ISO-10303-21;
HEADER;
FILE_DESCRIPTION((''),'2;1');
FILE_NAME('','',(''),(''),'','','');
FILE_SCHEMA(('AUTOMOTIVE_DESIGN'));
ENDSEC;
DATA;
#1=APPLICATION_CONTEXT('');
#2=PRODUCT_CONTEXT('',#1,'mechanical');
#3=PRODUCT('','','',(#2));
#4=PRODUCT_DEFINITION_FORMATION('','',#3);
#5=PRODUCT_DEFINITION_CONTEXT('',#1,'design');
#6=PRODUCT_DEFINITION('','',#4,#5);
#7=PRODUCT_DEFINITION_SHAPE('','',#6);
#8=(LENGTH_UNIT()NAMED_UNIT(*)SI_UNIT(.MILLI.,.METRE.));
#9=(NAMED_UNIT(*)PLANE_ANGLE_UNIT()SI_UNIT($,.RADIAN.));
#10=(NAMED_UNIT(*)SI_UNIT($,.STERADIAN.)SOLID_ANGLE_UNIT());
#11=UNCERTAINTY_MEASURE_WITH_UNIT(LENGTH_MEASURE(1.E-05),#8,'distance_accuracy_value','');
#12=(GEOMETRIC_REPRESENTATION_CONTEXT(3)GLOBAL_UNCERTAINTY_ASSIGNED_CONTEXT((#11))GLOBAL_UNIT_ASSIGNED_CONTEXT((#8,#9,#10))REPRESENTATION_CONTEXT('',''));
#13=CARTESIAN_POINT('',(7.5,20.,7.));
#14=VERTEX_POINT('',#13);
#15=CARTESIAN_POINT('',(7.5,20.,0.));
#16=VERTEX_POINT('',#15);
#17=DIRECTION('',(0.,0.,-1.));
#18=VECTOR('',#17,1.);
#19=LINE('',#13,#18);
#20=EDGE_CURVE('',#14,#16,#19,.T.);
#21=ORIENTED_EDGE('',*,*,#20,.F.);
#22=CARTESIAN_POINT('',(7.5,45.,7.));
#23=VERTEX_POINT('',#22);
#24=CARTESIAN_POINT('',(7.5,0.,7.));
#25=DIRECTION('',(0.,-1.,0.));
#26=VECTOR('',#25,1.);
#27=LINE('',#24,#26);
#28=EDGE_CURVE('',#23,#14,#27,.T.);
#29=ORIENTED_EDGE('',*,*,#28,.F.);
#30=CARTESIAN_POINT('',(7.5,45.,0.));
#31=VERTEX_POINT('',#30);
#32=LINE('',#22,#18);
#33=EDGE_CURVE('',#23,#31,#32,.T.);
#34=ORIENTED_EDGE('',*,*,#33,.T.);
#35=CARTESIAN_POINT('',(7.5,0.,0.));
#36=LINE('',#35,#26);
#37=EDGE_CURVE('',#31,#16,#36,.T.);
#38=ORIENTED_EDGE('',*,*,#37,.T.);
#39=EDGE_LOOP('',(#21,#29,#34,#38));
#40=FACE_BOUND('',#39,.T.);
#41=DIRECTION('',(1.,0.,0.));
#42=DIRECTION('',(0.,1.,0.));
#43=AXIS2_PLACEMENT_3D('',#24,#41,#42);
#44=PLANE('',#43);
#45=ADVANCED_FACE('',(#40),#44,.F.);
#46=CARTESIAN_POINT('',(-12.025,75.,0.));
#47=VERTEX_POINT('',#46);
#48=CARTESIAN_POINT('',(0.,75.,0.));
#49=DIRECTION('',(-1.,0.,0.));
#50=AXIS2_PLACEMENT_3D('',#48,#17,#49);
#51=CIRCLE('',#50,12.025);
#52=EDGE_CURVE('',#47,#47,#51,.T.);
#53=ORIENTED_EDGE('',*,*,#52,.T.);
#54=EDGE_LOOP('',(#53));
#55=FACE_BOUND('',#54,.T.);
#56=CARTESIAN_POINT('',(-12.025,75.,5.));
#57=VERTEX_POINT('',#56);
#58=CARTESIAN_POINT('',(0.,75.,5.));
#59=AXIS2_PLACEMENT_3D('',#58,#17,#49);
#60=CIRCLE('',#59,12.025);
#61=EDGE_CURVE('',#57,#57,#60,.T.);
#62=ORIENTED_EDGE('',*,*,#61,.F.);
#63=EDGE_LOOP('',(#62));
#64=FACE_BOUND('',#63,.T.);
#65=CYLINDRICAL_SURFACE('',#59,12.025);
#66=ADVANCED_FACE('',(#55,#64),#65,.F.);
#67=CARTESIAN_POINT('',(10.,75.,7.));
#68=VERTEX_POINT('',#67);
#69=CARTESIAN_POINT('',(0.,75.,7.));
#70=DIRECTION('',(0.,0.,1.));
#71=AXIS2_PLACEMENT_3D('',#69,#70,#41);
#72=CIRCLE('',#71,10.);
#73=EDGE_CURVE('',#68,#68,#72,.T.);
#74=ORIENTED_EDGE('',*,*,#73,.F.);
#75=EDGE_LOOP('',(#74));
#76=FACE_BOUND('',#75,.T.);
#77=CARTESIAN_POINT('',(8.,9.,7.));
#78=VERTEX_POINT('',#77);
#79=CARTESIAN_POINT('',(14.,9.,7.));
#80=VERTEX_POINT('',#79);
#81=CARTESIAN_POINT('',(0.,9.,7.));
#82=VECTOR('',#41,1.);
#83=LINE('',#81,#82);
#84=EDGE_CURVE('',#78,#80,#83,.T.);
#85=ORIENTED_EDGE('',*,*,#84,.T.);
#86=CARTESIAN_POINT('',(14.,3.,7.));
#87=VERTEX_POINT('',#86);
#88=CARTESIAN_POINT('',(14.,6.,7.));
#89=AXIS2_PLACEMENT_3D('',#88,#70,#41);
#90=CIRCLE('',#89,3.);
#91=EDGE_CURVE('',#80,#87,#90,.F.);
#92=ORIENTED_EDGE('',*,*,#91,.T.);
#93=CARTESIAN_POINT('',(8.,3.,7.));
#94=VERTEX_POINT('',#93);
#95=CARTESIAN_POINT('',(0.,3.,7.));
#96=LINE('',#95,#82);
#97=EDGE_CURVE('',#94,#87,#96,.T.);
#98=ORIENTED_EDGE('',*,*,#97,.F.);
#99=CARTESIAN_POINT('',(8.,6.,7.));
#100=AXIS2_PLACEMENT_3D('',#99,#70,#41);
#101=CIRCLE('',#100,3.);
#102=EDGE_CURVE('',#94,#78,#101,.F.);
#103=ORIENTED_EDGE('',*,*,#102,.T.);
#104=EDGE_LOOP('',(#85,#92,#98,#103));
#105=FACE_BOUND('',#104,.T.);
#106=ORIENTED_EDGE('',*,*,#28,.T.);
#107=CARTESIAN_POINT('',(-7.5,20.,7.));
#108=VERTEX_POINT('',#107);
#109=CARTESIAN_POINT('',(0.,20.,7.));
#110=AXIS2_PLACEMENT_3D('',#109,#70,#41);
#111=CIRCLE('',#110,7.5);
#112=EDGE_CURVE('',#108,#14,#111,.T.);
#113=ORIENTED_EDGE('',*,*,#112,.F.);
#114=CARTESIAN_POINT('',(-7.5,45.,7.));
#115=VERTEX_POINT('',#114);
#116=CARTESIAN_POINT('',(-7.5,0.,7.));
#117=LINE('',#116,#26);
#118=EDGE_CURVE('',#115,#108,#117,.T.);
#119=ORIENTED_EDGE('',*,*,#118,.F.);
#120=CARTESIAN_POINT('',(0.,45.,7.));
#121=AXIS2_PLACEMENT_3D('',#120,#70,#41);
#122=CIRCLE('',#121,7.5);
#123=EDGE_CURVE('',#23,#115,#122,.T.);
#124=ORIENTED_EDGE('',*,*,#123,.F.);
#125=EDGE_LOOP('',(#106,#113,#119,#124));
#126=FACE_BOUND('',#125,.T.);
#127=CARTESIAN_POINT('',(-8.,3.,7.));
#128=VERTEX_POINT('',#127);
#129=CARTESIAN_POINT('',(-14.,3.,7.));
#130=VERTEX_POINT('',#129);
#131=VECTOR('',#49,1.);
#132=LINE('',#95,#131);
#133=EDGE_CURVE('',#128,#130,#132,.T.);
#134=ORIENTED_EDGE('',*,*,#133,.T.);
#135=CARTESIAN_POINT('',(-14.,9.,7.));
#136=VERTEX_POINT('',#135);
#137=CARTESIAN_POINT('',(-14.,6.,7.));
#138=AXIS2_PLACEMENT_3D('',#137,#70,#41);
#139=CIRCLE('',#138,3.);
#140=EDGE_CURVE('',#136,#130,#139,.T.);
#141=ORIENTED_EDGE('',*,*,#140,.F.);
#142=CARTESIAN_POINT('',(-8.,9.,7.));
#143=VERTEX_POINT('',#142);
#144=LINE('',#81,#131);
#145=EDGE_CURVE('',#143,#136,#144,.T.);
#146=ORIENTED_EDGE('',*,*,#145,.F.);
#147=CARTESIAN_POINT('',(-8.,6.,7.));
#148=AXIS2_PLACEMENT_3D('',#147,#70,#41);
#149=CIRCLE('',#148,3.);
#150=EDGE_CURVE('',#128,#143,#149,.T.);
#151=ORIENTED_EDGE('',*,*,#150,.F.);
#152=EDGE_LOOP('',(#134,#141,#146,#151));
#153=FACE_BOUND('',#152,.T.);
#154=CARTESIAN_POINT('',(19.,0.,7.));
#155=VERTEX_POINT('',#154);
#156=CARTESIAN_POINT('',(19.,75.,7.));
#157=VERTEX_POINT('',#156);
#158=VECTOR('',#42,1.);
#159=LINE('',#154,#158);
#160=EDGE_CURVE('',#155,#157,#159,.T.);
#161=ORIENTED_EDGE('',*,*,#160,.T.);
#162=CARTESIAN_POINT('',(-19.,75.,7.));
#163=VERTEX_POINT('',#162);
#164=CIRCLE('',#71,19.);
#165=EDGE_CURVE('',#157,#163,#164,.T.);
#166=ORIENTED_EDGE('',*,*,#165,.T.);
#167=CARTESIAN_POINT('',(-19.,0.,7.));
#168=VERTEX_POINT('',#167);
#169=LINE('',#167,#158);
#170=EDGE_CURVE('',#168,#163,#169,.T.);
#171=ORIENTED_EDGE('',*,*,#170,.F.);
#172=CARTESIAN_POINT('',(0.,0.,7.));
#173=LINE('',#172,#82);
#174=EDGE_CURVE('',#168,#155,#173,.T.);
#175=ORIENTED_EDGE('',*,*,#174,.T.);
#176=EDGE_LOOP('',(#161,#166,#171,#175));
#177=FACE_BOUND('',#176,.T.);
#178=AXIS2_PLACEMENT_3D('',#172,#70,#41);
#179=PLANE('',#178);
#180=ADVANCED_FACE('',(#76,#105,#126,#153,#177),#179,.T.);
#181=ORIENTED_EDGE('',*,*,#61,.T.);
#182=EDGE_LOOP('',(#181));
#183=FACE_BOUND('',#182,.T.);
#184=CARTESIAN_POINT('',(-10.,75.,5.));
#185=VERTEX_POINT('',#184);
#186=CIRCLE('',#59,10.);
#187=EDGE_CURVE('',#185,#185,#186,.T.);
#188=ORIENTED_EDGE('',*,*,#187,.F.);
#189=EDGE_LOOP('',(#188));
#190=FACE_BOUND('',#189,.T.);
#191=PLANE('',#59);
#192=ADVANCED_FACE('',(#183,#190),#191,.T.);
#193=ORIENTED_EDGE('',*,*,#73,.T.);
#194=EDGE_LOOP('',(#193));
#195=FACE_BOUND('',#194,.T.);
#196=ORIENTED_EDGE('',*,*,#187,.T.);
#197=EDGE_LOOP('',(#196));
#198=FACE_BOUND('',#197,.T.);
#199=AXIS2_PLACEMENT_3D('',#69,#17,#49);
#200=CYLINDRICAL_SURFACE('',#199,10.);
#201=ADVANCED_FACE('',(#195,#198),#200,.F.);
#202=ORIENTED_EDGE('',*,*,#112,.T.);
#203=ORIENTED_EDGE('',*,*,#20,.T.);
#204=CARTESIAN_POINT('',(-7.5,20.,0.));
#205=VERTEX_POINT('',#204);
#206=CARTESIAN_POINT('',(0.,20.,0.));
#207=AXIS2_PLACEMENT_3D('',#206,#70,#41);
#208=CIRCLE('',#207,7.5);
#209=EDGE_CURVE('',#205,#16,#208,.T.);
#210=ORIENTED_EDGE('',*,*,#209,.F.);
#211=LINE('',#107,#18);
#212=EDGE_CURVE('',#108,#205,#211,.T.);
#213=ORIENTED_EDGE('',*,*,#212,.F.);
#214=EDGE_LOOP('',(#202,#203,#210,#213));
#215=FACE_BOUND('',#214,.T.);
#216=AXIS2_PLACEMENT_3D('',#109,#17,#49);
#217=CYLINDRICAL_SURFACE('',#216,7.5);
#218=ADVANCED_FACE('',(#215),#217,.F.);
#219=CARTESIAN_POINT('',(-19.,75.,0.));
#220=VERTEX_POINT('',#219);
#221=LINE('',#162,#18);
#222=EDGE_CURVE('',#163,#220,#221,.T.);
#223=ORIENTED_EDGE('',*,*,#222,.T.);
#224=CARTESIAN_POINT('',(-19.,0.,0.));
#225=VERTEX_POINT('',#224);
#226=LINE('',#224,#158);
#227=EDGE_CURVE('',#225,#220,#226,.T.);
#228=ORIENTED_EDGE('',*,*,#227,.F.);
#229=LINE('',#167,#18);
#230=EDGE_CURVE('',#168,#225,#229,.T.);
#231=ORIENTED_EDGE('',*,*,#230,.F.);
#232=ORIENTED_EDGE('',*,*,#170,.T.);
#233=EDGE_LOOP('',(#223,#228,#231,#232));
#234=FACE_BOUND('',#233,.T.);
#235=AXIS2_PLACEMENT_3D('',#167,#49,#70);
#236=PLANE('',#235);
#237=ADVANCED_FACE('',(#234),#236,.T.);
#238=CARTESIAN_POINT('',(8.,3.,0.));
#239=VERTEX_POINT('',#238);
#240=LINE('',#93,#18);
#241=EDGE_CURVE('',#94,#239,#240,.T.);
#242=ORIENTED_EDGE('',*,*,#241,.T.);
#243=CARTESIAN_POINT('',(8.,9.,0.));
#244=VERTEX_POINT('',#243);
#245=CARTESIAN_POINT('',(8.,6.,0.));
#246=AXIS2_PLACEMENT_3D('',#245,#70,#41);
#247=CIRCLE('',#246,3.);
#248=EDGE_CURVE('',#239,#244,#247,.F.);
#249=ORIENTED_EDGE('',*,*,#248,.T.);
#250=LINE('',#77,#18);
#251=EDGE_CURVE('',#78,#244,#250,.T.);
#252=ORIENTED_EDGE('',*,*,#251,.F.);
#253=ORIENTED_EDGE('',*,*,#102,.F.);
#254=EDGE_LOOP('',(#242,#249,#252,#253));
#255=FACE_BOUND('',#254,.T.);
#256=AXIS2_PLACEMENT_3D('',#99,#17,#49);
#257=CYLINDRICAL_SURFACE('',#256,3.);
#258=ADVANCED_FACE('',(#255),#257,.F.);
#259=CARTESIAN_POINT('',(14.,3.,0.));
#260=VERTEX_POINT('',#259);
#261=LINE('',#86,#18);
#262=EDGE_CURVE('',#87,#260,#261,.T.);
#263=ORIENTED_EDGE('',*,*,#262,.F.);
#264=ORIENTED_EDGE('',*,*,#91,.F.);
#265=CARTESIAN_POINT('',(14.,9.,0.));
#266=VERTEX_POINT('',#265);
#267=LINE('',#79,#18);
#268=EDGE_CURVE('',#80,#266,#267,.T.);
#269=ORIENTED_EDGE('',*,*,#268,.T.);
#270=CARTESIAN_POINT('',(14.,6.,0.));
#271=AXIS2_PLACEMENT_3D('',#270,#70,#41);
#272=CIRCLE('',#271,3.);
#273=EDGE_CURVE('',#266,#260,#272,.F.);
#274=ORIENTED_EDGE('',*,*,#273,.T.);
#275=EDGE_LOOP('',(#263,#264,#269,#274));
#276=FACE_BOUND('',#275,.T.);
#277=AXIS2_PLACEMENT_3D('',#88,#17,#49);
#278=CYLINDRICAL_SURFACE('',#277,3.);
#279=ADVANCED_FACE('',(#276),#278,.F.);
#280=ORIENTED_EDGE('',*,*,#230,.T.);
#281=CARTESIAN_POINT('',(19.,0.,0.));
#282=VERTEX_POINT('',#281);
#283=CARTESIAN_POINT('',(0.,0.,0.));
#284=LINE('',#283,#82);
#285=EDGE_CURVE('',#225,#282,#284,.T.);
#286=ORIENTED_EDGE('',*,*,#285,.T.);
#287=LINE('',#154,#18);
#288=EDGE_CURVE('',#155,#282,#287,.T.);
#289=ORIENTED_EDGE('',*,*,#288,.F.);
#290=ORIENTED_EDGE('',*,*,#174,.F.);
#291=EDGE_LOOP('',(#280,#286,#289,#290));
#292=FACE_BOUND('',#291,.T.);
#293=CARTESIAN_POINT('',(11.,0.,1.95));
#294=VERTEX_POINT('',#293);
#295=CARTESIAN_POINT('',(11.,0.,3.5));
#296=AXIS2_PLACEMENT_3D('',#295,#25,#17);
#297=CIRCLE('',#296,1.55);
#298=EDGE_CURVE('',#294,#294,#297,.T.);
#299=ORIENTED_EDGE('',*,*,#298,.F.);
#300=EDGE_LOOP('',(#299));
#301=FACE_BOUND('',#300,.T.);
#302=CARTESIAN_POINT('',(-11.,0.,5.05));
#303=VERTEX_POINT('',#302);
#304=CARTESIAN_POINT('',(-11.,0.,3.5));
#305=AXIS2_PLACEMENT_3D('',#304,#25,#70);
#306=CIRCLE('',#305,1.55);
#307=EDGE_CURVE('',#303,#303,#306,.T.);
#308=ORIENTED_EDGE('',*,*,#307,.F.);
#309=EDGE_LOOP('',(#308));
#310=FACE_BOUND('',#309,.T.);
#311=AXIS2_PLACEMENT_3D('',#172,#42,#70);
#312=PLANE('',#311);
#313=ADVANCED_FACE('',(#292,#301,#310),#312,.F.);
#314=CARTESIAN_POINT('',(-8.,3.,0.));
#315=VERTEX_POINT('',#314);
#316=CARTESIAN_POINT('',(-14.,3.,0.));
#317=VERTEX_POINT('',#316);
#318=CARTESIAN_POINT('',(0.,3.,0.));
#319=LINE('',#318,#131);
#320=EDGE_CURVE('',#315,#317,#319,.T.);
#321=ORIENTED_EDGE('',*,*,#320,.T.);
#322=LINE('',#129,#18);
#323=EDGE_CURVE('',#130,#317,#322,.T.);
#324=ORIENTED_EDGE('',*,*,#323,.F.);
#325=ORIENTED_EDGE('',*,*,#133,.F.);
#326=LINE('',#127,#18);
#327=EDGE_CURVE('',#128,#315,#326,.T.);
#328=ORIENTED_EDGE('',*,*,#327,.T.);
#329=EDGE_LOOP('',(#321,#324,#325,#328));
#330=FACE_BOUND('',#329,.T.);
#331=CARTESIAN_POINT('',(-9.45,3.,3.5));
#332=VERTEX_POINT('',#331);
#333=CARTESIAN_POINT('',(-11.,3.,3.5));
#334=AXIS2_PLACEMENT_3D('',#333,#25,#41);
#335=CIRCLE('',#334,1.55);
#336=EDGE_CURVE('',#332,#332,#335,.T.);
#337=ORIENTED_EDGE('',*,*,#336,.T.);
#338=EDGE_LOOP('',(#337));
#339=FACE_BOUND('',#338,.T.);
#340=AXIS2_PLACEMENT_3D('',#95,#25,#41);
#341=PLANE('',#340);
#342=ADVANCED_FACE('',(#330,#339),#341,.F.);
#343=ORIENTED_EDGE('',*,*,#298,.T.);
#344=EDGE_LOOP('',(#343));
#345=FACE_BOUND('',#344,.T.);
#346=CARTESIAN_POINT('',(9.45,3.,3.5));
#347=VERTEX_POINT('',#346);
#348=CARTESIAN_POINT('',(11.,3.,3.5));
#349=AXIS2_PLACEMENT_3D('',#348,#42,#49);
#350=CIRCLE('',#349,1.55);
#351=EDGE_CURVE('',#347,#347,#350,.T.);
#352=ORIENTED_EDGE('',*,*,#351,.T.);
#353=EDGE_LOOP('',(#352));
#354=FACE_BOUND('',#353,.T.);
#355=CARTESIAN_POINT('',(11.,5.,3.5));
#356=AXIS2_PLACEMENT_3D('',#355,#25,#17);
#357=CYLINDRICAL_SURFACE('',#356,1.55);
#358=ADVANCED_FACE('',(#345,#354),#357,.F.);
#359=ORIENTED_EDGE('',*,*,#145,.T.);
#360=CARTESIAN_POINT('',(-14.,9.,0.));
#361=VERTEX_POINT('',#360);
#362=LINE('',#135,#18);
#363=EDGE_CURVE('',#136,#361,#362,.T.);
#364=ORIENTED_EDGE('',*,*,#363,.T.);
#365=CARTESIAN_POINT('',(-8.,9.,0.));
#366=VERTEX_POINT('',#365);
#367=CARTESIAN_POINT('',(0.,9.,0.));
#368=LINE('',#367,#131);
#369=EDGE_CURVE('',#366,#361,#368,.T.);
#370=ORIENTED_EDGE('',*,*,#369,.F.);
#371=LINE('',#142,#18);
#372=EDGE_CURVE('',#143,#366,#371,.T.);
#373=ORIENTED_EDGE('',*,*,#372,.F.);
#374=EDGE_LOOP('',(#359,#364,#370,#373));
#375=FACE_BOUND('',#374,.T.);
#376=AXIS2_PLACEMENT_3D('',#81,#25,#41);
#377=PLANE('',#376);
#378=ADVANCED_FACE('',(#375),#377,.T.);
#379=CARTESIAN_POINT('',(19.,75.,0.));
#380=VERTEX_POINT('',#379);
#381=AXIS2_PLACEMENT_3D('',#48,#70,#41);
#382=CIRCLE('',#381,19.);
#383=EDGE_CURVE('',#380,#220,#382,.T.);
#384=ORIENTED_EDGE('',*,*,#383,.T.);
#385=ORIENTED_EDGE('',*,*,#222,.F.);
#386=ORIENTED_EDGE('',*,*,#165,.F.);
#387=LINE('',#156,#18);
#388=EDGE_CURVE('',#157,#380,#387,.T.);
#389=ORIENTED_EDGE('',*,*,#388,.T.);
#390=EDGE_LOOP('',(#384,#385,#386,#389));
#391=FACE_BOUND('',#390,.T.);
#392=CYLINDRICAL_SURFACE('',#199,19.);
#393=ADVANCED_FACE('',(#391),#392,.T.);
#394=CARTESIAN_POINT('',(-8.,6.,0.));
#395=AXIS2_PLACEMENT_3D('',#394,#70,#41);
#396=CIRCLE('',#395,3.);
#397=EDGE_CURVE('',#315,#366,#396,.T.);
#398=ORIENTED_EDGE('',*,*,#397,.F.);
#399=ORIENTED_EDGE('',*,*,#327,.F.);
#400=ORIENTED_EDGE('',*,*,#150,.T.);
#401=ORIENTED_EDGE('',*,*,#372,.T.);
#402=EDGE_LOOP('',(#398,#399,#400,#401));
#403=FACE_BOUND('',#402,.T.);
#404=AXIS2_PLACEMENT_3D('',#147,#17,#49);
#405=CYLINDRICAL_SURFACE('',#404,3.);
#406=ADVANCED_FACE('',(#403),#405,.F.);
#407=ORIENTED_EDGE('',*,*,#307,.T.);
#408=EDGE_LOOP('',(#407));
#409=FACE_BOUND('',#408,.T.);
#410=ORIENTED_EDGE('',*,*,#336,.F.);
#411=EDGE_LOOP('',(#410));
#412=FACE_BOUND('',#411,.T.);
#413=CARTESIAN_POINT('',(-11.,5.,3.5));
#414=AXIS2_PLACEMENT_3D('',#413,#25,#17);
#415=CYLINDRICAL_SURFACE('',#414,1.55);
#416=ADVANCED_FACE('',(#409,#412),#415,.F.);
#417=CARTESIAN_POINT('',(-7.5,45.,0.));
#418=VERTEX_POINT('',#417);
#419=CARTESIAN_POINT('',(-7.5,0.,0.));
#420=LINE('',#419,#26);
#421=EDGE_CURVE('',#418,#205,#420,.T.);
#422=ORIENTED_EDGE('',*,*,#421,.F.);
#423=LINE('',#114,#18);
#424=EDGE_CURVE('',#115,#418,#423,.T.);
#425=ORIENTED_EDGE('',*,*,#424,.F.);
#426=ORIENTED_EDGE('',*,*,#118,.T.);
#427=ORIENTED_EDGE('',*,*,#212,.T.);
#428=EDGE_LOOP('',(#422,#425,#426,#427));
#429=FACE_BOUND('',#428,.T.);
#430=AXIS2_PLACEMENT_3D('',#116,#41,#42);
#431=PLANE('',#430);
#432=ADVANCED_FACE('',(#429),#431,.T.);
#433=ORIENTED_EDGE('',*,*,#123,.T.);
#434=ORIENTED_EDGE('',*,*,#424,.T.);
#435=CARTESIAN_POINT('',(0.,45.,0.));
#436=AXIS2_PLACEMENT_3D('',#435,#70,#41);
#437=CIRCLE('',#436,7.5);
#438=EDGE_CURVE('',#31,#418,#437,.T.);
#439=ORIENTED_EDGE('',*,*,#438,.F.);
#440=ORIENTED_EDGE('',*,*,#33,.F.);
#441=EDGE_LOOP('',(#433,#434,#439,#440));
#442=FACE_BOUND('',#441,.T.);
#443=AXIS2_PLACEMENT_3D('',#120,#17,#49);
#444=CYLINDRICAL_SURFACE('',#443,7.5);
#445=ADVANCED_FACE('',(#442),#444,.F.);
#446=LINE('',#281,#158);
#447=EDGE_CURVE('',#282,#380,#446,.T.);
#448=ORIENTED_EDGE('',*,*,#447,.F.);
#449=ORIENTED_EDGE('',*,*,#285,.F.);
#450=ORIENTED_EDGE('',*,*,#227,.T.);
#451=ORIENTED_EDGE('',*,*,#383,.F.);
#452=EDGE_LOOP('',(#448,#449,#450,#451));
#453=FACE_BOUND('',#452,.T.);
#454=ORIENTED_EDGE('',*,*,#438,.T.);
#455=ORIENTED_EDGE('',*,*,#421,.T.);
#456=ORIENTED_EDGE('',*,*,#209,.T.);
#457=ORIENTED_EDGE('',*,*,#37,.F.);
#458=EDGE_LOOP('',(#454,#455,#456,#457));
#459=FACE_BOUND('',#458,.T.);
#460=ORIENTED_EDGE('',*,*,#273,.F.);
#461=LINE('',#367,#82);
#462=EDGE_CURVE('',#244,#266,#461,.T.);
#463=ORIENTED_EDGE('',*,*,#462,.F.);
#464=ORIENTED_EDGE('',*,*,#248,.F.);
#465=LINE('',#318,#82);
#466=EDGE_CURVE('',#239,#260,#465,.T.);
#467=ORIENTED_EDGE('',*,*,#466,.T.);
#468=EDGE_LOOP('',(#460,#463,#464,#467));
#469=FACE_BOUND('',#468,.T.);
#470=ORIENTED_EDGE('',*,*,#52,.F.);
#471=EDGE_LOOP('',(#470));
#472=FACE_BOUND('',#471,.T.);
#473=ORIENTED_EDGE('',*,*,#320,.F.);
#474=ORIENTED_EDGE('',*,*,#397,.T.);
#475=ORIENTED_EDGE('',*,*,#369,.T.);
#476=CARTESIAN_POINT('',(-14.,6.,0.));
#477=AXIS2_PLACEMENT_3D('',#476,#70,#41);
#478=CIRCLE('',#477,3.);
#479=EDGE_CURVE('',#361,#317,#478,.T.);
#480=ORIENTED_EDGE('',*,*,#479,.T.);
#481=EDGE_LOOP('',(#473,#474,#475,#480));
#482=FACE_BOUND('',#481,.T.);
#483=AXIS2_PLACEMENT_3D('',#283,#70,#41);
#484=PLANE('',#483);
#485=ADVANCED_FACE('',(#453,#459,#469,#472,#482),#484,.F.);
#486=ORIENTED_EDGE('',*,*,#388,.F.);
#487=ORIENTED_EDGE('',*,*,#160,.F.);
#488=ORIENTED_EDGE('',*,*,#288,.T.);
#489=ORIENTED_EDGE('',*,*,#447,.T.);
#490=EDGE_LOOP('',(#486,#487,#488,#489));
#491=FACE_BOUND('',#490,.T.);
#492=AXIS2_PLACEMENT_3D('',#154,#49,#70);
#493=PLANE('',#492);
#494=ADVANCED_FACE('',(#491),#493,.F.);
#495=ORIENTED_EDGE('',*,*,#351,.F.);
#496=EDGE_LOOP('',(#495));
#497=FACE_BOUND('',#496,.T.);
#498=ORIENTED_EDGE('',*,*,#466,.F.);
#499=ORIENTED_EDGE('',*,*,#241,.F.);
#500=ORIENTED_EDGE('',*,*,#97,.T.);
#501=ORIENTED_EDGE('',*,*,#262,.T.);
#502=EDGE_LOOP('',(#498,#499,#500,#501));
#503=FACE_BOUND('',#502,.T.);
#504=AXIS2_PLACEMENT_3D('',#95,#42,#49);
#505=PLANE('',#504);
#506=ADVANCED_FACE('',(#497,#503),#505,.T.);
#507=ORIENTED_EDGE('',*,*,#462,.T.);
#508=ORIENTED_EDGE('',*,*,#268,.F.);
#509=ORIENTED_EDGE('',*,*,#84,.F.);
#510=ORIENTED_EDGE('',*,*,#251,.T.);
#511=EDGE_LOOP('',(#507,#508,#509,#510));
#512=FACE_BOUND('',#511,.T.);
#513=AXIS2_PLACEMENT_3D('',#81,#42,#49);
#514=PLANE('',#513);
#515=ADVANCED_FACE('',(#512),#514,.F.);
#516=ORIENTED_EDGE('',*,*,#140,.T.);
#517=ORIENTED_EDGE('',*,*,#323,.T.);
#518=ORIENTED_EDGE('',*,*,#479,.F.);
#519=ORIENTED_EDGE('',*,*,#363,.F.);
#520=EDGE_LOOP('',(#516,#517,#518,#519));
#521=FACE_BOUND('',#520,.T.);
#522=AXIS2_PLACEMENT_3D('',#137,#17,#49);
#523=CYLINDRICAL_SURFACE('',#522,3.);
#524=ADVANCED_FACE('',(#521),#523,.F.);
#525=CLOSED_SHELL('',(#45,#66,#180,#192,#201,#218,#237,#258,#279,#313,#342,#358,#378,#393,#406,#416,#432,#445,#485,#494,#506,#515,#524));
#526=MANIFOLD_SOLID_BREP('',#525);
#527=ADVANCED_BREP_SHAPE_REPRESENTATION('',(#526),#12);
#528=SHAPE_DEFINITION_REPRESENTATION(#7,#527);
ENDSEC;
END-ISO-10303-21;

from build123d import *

# Parameters (mm, degrees)
SKETCH_1_R         = 10
SKETCH_1_R_2       = 19
EXTRUDE_1_DEPTH    = 7
SKETCH2_R          = 12.025
CUT_EXTRUDE2_DEPTH = 5
SKETCH3_R          = 1.55
CUT_EXTRUDE3_DEPTH = 5


with BuildPart() as part:
    # 草图1 → 凸台-拉伸1 (new body)
    # profile 1 of 3: a face of its own
    with BuildSketch(Plane.XY):
        with BuildLine():
            ThreePointArc((19, 75), (0, 94), (-19, 75))
            ThreePointArc((-19, 75), (0, 56), (19, 75))
        make_face()
        with Locations((0, 75)):
            Circle(SKETCH_1_R, mode=Mode.SUBTRACT)
    # profile 2 of 3: a face of its own
    with BuildSketch(Plane.XY):
        with BuildLine():
            Line((-19, 7), (-19, 0))
            Line((-19, 0), (19, 0))
            Line((19, 0), (19, 7))
            Line((19, 7), (19, 75))
            ThreePointArc((19, 75), (0, 56), (-19, 75))
            Line((-19, 75), (-19, 7))
        make_face()
        with BuildLine():
            ThreePointArc((-8, 9), (-5, 6), (-8, 3))
            Line((-8, 3), (-14, 3))
            ThreePointArc((-14, 3), (-17, 6), (-14, 9))
            Line((-14, 9), (-8, 9))
        make_face(mode=Mode.SUBTRACT)
        with BuildLine():
            Line((14, 3), (8, 3))
            ThreePointArc((8, 3), (5, 6), (8, 9))
            Line((8, 9), (14, 9))
            ThreePointArc((14, 9), (17, 6), (14, 3))
        make_face(mode=Mode.SUBTRACT)
        with BuildLine():
            ThreePointArc((-7.5, 45), (0, 52.5), (7.5, 45))
            Line((7.5, 45), (7.5, 20))
            ThreePointArc((7.5, 20), (0, 12.5), (-7.5, 20))
            Line((-7.5, 20), (-7.5, 45))
        make_face(mode=Mode.SUBTRACT)
    # profile 3 of 3: a face of its own
    with BuildSketch(Plane.XY):
        with Locations((0, 75)):
            Circle(SKETCH_1_R_2)
        with Locations((0, 75)):
            Circle(SKETCH_1_R, mode=Mode.SUBTRACT)
    extrude(amount=EXTRUDE_1_DEPTH)

    # Sketch2 → Cut-Extrude2 (cut)
    with BuildSketch(Plane(origin=(0, 0, 0), x_dir=(-1, 0, 0), z_dir=(0, 0, -1))):
        with Locations((0, 75)):
            Circle(SKETCH2_R)
    extrude(amount=-CUT_EXTRUDE2_DEPTH, mode=Mode.SUBTRACT)

    # Sketch3 → Cut-Extrude3 (cut)
    with BuildSketch(Plane.XZ):
        with Locations(Location((11, 3.5, 0), (0, 0, 270))):
            Circle(SKETCH3_R)
        with Locations((-11, 3.5)):
            Circle(SKETCH3_R)
    extrude(amount=-CUT_EXTRUDE3_DEPTH, mode=Mode.SUBTRACT)


solid = part.part
